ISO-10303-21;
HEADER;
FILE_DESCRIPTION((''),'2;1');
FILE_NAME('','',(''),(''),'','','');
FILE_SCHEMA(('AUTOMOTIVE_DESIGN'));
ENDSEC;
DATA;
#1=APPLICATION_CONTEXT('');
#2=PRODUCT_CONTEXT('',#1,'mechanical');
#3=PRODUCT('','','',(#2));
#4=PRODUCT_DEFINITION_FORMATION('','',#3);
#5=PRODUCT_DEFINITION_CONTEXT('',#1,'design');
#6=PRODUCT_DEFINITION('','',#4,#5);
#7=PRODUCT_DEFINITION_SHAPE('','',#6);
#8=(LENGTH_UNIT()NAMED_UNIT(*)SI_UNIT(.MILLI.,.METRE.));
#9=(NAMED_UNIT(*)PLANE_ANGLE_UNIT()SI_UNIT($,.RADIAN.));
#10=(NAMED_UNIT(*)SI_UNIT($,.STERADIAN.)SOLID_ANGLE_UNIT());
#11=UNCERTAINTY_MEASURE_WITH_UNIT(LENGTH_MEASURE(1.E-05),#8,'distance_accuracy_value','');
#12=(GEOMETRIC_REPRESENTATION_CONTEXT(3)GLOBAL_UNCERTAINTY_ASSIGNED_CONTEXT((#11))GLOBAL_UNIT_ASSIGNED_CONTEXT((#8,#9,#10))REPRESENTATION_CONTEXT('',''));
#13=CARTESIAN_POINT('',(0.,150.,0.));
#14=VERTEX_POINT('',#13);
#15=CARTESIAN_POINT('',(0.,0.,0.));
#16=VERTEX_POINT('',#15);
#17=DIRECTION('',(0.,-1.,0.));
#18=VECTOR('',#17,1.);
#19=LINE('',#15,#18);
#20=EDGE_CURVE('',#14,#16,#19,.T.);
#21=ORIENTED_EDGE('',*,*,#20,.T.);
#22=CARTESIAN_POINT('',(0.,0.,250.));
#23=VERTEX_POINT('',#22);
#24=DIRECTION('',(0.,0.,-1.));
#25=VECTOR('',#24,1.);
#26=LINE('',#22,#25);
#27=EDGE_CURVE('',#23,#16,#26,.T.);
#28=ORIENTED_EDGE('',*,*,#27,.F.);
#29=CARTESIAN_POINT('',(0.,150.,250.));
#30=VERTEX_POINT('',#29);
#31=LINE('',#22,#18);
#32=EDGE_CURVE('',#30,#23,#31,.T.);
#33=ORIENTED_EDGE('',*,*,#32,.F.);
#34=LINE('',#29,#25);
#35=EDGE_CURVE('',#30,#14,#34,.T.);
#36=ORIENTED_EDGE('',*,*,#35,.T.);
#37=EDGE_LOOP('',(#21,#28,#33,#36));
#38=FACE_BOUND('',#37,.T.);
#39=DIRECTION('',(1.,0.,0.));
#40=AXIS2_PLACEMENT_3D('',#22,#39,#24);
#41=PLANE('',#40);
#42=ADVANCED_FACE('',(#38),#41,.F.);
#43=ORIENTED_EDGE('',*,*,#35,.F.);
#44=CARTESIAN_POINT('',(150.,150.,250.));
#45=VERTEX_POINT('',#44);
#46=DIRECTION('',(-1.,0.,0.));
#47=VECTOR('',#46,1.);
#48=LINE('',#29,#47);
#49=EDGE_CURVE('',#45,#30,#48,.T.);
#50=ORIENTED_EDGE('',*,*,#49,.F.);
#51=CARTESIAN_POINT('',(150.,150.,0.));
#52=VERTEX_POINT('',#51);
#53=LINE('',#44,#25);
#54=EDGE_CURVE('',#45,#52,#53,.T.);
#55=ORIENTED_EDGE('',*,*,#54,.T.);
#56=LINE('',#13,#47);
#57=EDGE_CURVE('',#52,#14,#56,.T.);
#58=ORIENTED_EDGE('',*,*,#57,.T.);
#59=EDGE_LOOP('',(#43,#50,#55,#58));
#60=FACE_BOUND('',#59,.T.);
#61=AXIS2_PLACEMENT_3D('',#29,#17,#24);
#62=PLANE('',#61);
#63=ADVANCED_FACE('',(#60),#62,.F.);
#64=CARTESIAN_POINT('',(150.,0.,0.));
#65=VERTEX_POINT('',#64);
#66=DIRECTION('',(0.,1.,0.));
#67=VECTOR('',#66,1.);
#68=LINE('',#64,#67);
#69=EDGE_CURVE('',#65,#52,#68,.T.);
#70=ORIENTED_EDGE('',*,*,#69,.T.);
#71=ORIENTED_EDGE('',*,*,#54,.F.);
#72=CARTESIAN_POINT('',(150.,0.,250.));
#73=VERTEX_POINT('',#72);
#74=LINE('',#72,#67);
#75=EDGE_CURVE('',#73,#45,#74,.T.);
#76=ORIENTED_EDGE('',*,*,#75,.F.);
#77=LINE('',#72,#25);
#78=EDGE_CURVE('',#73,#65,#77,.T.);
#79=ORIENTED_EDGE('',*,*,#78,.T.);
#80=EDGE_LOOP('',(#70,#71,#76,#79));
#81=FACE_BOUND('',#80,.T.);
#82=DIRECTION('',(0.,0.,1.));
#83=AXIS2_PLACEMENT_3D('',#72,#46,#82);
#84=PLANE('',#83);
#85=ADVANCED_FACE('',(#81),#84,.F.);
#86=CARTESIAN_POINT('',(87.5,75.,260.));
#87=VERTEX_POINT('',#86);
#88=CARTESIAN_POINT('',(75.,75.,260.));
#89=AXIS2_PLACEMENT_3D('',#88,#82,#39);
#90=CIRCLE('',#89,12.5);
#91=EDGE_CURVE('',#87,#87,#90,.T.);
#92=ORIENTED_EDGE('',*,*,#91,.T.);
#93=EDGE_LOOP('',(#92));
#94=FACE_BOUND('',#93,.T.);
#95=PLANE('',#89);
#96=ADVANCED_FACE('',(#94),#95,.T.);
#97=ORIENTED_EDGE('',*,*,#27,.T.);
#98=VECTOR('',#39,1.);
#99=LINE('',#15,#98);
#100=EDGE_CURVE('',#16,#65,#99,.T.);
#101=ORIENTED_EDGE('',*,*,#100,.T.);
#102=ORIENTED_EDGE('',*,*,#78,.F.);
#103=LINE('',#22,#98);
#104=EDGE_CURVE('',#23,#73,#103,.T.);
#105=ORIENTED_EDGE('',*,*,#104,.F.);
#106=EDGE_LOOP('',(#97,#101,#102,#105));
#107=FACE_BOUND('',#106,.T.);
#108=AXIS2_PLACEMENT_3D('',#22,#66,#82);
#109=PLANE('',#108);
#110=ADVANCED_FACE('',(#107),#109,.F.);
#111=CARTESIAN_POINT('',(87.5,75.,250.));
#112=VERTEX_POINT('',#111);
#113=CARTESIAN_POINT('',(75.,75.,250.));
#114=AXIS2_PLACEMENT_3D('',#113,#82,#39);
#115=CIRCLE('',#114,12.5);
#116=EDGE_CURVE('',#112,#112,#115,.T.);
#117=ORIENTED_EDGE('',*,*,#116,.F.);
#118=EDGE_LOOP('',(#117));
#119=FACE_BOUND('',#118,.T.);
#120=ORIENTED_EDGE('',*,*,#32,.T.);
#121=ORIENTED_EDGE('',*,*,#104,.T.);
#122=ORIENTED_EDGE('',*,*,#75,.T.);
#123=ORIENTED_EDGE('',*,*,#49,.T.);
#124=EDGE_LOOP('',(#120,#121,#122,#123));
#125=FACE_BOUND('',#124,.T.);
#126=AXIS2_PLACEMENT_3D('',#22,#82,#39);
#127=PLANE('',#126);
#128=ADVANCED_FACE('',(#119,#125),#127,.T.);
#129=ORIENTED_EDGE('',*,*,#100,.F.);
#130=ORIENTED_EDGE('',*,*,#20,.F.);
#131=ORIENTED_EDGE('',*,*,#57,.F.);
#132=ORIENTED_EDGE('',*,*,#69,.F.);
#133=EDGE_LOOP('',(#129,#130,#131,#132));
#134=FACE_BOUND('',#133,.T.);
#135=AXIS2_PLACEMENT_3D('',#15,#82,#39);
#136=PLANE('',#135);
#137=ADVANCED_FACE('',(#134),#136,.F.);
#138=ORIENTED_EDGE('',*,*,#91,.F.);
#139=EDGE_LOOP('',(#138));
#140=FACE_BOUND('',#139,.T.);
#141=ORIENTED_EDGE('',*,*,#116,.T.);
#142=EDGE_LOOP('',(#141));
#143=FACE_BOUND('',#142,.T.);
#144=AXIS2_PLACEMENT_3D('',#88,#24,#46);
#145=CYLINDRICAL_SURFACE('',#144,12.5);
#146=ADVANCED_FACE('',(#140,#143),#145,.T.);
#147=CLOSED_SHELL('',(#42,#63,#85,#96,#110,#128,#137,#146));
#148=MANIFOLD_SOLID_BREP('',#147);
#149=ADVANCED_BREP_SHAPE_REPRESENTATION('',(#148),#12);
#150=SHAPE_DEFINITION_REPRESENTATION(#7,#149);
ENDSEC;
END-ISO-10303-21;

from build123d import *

# Parameters (mm, degrees)
SKETCH1_W           = 150
SKETCH1_H           = 150
BOSS_EXTRUDE1_DEPTH = 250
SKETCH2_R           = 12.5
BOSS_EXTRUDE2_DEPTH = 10


with BuildPart() as part:
    # Sketch1 → Boss-Extrude1 (new body)
    with BuildSketch(Plane.XY):
        with Locations((75, 75)):
            Rectangle(SKETCH1_W, SKETCH1_H)
    extrude(amount=BOSS_EXTRUDE1_DEPTH)

    # Sketch2 → Boss-Extrude2 (add)
    with BuildSketch(Plane.XY.offset(250)):
        with Locations((75, 75)):
            Circle(SKETCH2_R)
    extrude(amount=BOSS_EXTRUDE2_DEPTH)


solid = part.part
